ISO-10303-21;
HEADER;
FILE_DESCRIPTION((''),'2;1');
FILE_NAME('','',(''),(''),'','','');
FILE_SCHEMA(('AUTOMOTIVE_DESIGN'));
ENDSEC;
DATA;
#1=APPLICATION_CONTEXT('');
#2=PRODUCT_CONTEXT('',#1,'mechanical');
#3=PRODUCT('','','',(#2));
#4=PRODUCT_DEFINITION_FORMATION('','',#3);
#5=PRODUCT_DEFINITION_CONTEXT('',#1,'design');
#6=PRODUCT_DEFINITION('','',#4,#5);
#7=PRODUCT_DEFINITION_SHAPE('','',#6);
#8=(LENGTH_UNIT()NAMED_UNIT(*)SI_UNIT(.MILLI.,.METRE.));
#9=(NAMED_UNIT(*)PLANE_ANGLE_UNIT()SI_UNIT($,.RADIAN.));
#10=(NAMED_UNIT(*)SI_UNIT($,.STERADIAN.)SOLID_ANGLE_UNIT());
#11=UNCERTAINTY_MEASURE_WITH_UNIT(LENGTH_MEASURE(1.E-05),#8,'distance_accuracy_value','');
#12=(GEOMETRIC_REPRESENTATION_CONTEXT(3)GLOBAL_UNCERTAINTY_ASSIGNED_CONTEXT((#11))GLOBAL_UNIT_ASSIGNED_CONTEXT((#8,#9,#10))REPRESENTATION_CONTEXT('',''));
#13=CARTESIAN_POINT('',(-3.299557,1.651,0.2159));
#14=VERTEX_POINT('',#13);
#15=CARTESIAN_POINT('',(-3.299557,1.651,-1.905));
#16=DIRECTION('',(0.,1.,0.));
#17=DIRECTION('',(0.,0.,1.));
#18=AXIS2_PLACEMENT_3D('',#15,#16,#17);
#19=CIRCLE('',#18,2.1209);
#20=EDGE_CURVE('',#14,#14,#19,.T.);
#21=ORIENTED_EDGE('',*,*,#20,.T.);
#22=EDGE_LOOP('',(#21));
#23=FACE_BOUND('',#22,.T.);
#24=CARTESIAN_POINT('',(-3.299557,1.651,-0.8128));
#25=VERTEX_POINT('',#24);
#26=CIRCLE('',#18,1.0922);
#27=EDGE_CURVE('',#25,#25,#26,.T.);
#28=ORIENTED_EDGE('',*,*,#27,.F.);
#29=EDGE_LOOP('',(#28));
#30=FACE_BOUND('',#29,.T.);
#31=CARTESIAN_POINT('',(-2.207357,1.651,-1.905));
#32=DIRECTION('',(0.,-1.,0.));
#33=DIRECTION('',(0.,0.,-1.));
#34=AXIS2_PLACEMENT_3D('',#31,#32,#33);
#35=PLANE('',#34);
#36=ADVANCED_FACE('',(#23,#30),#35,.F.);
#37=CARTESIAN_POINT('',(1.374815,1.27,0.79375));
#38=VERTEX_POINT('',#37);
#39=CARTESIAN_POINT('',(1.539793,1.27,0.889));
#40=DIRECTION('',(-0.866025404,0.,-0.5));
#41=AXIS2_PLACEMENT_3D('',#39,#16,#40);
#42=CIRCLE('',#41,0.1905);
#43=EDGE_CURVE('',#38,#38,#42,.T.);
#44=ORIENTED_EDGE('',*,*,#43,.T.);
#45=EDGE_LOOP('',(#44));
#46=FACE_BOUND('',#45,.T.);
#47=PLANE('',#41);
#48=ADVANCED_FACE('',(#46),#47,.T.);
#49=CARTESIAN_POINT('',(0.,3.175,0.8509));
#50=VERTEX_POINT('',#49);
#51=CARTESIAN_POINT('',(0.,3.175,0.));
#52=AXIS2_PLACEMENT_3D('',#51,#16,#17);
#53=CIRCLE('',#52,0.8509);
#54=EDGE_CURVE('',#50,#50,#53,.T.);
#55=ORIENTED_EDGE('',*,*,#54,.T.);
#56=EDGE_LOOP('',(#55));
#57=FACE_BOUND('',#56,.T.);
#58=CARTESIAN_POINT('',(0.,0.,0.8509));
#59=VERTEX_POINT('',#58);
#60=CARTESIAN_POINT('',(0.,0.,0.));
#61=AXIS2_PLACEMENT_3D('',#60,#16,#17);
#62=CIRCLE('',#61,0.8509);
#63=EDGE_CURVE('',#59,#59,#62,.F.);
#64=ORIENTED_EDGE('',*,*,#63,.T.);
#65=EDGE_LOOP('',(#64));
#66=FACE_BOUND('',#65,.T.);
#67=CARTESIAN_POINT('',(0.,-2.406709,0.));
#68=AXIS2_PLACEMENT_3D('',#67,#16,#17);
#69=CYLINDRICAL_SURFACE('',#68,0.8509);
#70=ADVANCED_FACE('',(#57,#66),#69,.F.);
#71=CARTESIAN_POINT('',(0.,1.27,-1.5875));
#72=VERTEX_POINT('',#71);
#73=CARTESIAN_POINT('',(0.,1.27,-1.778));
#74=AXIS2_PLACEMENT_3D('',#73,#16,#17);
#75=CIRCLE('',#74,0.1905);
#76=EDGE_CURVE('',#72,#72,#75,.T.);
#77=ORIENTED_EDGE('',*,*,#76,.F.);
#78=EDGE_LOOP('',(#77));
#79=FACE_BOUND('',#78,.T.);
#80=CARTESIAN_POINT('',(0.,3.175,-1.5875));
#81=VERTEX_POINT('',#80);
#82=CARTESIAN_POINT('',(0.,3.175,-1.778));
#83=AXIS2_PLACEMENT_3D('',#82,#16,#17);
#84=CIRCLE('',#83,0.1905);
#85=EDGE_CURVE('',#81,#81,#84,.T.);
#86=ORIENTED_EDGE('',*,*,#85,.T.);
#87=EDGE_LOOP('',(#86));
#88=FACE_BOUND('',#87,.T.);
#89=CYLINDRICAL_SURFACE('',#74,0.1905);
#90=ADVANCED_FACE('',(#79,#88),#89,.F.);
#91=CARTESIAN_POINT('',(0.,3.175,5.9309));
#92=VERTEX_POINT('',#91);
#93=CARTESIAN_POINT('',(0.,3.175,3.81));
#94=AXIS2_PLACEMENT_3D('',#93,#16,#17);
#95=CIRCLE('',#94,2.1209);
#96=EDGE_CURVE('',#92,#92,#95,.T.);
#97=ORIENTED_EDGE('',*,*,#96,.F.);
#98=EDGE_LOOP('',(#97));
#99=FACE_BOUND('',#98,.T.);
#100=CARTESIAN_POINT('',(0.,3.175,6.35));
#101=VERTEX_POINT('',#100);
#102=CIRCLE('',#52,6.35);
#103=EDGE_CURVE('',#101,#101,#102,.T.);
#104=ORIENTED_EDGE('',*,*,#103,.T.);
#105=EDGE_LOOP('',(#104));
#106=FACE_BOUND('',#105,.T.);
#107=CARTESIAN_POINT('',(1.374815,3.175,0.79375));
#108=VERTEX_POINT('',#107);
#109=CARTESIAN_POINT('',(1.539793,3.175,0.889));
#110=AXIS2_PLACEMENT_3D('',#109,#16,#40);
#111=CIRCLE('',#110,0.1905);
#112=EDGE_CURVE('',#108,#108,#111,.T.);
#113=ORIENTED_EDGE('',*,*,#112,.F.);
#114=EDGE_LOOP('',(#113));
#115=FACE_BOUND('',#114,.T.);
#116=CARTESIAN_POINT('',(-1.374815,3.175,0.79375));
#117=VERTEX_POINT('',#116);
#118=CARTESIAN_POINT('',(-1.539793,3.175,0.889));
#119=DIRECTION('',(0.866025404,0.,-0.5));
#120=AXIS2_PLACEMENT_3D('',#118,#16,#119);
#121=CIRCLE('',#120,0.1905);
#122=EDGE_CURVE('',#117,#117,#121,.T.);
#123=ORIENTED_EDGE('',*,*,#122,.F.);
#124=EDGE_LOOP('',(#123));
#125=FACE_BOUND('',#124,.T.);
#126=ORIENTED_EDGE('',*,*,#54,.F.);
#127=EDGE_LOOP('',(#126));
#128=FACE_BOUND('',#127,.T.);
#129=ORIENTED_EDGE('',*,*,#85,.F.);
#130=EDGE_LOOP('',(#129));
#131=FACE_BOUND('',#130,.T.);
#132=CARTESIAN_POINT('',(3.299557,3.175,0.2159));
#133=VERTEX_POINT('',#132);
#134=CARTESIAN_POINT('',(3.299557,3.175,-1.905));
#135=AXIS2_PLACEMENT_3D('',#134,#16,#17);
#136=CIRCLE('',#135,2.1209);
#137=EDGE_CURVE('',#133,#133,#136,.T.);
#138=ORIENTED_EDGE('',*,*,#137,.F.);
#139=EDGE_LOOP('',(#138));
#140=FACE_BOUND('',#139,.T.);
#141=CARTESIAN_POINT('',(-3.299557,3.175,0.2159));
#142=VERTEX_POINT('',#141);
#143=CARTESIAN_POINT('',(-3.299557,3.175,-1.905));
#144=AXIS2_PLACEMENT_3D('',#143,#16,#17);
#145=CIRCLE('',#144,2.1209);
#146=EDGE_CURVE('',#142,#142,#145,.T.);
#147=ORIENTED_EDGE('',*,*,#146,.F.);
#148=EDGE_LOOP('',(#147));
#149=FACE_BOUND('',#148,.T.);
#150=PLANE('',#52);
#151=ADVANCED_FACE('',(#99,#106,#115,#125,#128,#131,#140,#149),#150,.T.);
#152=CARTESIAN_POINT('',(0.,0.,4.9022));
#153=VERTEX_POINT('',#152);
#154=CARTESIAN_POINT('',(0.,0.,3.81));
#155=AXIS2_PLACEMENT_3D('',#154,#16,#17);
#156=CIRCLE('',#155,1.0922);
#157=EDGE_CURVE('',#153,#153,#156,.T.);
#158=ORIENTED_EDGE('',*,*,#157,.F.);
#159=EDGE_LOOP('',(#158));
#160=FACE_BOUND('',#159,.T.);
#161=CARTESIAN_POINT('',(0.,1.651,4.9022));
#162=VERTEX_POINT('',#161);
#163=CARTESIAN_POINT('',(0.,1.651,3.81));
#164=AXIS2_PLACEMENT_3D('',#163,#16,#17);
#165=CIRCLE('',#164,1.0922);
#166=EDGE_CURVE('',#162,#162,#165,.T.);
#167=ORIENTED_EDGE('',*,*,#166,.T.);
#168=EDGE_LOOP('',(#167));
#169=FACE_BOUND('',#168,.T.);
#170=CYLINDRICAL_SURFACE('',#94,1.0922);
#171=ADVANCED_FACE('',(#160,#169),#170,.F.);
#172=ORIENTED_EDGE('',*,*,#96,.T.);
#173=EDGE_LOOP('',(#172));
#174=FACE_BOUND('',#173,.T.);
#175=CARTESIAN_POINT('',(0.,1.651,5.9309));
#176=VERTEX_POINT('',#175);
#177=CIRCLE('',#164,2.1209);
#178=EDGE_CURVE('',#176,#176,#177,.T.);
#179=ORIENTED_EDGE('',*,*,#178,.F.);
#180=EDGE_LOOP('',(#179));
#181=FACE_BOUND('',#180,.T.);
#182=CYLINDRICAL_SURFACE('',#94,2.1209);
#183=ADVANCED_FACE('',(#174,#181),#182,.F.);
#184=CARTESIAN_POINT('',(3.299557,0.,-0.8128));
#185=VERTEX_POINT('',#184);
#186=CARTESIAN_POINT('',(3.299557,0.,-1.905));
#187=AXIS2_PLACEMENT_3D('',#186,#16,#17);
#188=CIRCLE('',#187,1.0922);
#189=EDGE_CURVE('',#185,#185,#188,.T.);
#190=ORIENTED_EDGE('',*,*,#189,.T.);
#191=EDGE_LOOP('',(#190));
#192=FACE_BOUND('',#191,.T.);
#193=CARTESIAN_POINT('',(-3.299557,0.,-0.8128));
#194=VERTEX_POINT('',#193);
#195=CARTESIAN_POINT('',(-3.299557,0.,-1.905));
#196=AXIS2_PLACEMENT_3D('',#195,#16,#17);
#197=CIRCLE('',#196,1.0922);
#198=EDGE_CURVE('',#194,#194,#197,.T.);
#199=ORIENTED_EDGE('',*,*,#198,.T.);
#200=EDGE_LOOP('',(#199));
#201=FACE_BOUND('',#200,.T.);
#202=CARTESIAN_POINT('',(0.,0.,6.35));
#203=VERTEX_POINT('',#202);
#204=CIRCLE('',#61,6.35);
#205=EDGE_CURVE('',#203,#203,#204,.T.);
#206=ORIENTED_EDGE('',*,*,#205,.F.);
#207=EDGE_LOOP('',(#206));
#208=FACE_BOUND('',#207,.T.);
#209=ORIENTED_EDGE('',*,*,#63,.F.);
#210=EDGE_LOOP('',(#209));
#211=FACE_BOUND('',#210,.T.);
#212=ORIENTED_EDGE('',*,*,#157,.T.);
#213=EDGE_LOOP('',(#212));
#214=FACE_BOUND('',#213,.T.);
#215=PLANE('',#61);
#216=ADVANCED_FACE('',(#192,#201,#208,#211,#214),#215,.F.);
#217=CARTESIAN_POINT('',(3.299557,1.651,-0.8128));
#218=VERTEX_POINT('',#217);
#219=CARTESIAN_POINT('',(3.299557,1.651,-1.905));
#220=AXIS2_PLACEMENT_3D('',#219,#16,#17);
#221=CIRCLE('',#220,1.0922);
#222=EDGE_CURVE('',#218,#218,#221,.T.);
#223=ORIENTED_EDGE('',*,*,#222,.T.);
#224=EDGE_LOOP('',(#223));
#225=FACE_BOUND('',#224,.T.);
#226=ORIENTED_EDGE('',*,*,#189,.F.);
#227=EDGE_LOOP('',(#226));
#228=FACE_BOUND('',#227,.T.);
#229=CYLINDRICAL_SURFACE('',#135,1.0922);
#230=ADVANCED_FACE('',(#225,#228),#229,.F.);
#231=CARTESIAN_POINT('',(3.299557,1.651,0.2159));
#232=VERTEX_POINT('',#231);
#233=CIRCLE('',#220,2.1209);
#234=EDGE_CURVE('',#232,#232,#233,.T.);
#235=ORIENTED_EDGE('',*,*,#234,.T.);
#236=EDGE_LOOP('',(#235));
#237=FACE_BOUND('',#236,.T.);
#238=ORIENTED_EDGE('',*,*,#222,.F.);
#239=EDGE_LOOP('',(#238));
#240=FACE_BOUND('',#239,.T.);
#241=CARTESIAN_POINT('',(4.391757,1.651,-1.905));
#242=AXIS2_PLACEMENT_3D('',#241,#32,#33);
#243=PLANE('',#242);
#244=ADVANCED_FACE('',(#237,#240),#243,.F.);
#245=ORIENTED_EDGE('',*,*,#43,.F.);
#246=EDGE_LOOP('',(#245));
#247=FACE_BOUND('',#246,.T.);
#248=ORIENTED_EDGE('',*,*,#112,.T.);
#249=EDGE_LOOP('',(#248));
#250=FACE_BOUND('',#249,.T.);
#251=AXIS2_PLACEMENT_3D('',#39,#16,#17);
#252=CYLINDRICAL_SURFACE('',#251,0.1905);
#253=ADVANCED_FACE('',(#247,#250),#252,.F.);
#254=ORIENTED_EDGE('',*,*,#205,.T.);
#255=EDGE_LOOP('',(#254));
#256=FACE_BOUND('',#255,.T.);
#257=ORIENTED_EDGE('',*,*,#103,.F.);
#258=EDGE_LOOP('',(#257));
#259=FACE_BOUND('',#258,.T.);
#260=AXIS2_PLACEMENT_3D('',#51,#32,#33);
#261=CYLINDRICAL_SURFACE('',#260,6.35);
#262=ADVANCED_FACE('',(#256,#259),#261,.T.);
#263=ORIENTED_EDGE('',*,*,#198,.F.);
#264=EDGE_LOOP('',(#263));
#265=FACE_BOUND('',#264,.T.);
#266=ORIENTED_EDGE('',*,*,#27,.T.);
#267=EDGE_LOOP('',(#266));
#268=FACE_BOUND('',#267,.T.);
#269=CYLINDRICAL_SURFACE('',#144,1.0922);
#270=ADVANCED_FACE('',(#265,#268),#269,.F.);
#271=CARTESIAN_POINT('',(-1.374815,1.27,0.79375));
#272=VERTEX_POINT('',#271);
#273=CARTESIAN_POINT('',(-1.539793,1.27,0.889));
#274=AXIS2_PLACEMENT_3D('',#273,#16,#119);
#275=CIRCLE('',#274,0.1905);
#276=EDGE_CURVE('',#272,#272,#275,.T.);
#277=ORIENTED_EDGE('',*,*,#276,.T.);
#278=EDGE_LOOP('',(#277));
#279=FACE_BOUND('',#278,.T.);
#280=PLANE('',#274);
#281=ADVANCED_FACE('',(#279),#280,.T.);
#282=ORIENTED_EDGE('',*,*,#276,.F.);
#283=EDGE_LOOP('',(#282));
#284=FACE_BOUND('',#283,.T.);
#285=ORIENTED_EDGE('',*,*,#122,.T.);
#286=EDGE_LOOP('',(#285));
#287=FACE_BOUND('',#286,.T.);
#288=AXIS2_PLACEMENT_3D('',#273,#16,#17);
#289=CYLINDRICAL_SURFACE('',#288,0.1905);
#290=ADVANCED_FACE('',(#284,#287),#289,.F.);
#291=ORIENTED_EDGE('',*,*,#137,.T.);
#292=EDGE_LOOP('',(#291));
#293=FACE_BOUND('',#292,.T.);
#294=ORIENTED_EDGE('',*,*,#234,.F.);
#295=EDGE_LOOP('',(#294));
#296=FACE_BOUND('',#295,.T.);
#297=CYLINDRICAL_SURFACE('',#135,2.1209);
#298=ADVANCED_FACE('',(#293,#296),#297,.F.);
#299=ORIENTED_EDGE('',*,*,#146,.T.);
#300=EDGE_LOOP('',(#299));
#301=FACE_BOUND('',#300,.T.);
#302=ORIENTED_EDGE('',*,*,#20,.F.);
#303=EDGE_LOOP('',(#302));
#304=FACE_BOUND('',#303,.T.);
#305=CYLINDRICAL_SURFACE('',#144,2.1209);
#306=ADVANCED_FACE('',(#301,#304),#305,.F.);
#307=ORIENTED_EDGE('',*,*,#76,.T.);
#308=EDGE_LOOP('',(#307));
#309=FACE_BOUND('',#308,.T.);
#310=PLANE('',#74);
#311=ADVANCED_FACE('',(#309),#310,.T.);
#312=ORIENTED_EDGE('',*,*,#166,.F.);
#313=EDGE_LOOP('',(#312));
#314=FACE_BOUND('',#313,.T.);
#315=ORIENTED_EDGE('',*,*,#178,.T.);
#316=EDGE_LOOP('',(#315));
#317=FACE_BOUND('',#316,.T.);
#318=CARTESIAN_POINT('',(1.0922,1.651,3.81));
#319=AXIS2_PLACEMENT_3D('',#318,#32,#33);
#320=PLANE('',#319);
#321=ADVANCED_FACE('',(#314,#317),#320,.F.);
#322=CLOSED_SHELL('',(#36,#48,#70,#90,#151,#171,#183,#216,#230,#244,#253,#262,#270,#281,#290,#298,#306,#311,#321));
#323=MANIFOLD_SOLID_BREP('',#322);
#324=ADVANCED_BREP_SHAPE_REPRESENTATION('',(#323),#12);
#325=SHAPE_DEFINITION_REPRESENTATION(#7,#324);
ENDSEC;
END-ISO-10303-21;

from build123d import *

# Parameters (mm, degrees)
SKETCH1_R                                           = 6.35
BOSS_EXTRUDE1_DEPTH                                 = 3.175
SKETCH5_R                                           = 0.1905
CUT_EXTRUDE3_DEPTH                                  = 1.905
CIRPATTERN3_COUNT                                   = 3
SKETCH6_R                                           = 0.8509
CUT_EXTRUDE4_DEPTH                                  = 3.175
CBORE_FOR_2_BINDING_HEAD_MACHINE_SCREW1_D           = 2.1844
CBORE_FOR_2_BINDING_HEAD_MACHINE_SCREW1_CBORE_D     = 4.2418
CBORE_FOR_2_BINDING_HEAD_MACHINE_SCREW1_CBORE_DEPTH = 1.524
CIRPATTERN4_COUNT                                   = 3


with BuildPart() as part:
    # Sketch1 → Boss-Extrude1 (new body)
    with BuildSketch(Plane(origin=(0, 0, 0), x_dir=(1, 0, 0), z_dir=(0, 1, 0))):
        with Locations(Location((0, 0, 0), (0, 0, 270))):
            Circle(SKETCH1_R)
    extrude(amount=BOSS_EXTRUDE1_DEPTH)

    # Sketch5 → Cut-Extrude3 (cut)
    with BuildSketch(Plane(origin=(0, 3.175, 0), x_dir=(1, 0, 0), z_dir=(0, 1, 0))):
        with Locations(Location((0, 1.778, 0), (0, 0, 270))):
            Circle(SKETCH5_R)
    cut_extrude3 = extrude(amount=-CUT_EXTRUDE3_DEPTH, mode=Mode.SUBTRACT)

    # CirPattern3: Cut-Extrude3 ×3 about axis
    cirpattern3_axis = Axis((0, 0, 0), (0, 1, 0))
    for i in range(1, CIRPATTERN3_COUNT):
        add(cut_extrude3.rotate(cirpattern3_axis, i * 360 / CIRPATTERN3_COUNT), mode=Mode.SUBTRACT)

    # Sketch6 → Cut-Extrude4 (cut)
    with BuildSketch(Plane(origin=(0, 3.175, 0), x_dir=(1, 0, 0), z_dir=(0, 1, 0))):
        with Locations(Location((0, 0, 0), (0, 0, 270))):
            Circle(SKETCH6_R)
    extrude(amount=-CUT_EXTRUDE4_DEPTH, mode=Mode.SUBTRACT)

    # CBORE for #2 Binding Head Machine Screw1 (through all)
    with Locations(Plane(origin=(0, 3.175, 0), x_dir=(1, 0, 0), z_dir=(0, 1, 0))):
        with Locations((0, -3.81)):
            cbore_for_2_binding_head_machine_screw1 = CounterBoreHole(CBORE_FOR_2_BINDING_HEAD_MACHINE_SCREW1_D / 2, CBORE_FOR_2_BINDING_HEAD_MACHINE_SCREW1_CBORE_D / 2, CBORE_FOR_2_BINDING_HEAD_MACHINE_SCREW1_CBORE_DEPTH)

    # CirPattern4: CBORE for #2 Binding Head Machine Screw1 ×3 about axis
    cirpattern4_axis = Axis((0, 0, 0), (0, 1, 0))
    for i in range(1, CIRPATTERN4_COUNT):
        add(cbore_for_2_binding_head_machine_screw1.rotate(cirpattern4_axis, i * 360 / CIRPATTERN4_COUNT), mode=Mode.SUBTRACT)


solid = part.part
